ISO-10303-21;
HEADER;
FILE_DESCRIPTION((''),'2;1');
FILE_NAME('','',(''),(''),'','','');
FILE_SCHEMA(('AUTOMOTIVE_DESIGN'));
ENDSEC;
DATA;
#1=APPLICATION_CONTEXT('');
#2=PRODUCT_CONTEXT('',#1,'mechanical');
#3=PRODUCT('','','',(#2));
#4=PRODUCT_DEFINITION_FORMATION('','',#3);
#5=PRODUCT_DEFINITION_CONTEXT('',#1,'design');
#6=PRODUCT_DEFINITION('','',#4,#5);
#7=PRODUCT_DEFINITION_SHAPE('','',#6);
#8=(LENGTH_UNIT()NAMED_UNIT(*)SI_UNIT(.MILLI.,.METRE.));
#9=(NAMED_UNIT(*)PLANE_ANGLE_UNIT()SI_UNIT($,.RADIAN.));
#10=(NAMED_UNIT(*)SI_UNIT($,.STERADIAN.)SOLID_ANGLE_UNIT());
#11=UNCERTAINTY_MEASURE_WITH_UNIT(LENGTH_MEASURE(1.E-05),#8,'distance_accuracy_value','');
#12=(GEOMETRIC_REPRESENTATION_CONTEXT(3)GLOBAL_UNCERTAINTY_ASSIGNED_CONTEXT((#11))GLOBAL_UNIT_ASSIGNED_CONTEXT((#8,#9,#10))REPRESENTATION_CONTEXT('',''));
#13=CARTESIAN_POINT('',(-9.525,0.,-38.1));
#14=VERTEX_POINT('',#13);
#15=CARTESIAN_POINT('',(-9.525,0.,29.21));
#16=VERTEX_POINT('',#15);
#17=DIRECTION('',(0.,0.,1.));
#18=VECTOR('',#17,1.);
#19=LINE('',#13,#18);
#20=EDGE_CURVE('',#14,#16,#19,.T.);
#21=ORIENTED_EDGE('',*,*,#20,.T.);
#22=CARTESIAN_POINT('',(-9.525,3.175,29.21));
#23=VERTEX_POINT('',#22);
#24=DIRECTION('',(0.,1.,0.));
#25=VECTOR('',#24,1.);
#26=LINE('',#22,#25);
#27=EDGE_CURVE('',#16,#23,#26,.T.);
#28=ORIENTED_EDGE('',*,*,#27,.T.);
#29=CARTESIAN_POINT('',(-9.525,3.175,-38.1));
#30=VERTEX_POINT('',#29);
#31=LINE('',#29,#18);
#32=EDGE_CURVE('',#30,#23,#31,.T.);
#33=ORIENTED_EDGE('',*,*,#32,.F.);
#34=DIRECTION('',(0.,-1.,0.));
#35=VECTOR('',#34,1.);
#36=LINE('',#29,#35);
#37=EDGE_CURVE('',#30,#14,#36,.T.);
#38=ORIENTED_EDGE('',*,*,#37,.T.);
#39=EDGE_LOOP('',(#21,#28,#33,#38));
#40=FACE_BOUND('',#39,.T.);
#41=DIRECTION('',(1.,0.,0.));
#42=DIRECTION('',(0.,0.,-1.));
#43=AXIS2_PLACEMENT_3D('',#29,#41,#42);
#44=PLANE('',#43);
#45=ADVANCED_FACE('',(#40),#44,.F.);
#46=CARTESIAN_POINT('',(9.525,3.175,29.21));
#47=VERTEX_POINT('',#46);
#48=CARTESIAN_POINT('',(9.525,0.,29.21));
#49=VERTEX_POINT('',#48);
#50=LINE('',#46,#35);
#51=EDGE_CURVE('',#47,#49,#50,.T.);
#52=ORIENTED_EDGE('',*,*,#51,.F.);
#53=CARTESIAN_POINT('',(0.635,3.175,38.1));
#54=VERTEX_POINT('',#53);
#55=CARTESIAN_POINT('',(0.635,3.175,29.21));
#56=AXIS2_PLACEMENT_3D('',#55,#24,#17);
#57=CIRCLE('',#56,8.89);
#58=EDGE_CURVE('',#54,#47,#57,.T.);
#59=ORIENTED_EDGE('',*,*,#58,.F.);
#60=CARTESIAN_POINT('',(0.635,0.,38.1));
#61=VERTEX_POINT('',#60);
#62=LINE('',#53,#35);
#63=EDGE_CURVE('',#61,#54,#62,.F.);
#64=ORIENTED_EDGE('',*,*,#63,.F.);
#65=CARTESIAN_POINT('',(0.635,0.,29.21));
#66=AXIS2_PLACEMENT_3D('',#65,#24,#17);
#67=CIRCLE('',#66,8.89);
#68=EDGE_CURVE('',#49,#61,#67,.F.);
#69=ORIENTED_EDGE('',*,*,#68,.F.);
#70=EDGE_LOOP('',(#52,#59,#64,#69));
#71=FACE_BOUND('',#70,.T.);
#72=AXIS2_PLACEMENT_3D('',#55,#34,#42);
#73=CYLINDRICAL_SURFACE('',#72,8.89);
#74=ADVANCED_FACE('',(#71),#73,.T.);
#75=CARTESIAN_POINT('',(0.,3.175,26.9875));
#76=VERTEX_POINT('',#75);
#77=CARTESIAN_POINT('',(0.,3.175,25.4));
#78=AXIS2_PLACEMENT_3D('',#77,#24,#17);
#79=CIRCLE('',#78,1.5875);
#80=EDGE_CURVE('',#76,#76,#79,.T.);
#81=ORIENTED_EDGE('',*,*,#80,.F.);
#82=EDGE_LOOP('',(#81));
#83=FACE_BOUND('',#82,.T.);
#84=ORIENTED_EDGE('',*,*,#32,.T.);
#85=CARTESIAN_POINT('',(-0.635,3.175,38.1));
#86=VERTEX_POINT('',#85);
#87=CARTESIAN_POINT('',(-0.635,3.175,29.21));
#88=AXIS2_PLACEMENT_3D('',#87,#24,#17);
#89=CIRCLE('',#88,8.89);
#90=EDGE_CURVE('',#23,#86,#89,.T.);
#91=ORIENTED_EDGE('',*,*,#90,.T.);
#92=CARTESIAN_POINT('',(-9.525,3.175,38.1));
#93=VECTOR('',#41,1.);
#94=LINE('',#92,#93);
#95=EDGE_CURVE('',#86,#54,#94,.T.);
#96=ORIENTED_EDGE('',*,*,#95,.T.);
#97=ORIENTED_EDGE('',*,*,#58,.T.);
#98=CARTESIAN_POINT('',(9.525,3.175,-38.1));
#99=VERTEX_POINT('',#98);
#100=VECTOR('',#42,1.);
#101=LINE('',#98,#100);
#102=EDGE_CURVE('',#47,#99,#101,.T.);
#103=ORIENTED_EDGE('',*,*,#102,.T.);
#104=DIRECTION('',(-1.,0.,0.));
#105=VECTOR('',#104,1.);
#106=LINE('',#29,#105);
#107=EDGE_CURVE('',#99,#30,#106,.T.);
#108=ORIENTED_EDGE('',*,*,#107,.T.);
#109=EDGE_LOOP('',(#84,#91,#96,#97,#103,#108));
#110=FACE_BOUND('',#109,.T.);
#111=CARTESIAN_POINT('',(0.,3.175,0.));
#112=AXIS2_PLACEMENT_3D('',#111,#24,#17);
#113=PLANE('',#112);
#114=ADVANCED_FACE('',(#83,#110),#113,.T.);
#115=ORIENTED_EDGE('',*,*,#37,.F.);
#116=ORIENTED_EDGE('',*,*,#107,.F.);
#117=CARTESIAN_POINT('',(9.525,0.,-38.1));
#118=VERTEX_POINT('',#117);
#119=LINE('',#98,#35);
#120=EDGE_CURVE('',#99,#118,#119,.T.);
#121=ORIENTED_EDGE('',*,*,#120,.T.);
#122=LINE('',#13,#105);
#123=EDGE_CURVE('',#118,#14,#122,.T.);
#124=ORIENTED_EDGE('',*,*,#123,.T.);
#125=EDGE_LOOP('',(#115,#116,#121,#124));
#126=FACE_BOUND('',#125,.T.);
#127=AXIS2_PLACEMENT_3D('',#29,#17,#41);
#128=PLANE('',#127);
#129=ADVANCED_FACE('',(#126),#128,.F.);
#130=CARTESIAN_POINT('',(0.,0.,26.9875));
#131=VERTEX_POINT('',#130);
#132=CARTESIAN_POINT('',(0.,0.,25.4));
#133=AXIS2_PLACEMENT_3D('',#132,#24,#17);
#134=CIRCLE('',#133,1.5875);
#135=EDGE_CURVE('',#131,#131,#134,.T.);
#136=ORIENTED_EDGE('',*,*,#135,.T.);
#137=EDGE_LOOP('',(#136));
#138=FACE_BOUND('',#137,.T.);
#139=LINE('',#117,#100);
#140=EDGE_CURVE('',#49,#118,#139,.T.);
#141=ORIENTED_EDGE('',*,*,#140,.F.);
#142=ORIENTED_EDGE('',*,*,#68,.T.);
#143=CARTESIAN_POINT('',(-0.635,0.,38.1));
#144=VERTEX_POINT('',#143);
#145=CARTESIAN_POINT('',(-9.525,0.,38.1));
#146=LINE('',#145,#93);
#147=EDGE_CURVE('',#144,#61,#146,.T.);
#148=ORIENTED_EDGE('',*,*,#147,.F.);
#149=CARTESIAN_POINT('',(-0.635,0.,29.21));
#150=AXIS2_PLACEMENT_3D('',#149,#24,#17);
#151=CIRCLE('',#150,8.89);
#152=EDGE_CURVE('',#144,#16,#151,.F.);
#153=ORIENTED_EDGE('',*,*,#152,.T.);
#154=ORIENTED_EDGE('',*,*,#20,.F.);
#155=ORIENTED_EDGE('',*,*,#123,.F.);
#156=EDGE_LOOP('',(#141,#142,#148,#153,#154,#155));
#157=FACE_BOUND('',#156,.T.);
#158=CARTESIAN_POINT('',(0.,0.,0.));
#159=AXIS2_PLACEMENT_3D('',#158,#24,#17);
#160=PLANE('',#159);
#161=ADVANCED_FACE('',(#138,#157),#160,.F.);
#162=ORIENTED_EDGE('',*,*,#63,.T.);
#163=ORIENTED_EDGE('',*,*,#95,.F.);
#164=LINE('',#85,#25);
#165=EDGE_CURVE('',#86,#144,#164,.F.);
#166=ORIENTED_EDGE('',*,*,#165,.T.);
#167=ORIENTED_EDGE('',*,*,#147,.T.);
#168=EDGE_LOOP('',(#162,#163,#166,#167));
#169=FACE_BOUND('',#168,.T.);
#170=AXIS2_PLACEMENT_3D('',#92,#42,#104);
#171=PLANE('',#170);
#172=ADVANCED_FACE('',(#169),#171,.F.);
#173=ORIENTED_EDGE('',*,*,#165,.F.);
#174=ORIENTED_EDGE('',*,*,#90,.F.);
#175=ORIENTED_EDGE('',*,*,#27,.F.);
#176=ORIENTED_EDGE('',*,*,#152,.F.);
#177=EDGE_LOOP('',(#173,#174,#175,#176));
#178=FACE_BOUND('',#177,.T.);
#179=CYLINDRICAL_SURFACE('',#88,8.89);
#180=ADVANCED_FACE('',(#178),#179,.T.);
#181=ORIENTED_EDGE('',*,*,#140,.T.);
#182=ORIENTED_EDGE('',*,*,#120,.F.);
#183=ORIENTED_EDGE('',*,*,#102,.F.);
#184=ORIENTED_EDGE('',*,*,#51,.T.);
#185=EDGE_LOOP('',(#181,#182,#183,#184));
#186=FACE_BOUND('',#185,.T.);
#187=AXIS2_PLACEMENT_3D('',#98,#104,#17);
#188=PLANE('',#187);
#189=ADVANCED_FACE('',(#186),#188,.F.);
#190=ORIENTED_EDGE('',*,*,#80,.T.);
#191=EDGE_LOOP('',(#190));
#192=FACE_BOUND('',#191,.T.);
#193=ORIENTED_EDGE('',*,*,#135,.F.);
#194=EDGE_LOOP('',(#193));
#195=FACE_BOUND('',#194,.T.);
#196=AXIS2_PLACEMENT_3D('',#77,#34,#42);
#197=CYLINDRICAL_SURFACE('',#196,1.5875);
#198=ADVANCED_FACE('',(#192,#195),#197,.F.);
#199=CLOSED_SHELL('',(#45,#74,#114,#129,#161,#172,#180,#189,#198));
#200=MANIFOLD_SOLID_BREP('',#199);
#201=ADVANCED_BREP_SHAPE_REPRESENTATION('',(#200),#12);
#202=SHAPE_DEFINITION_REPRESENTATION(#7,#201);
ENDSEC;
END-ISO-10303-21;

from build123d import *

# Parameters (mm, degrees)
SKETCH2_W           = 19.05
SKETCH2_H           = 76.2
SKETCH2_R           = 1.5875
BOSS_EXTRUDE1_DEPTH = 3.175
FILLET1_R           = 8.89
FILLET2_R           = 8.89


with BuildPart() as part:
    # Sketch2 → Boss-Extrude1 (new body)
    with BuildSketch(Plane(origin=(0, 0, 0), x_dir=(1, 0, 0), z_dir=(0, 1, 0))):
        Rectangle(SKETCH2_W, SKETCH2_H)
        with Locations((0, -25.4)):
            Circle(SKETCH2_R, mode=Mode.SUBTRACT)
    extrude(amount=BOSS_EXTRUDE1_DEPTH)

    # Fillet1
    fillet1_edges = [part.edges().sort_by_distance(p)[0] for p in [
        (9.525, 1.5875, 38.1),
    ]]
    fillet(fillet1_edges, radius=FILLET1_R)

    # Fillet2
    fillet2_edges = [part.edges().sort_by_distance(p)[0] for p in [
        (-9.525, 1.5875, 38.1),
    ]]
    fillet(fillet2_edges, radius=FILLET2_R)


solid = part.part
